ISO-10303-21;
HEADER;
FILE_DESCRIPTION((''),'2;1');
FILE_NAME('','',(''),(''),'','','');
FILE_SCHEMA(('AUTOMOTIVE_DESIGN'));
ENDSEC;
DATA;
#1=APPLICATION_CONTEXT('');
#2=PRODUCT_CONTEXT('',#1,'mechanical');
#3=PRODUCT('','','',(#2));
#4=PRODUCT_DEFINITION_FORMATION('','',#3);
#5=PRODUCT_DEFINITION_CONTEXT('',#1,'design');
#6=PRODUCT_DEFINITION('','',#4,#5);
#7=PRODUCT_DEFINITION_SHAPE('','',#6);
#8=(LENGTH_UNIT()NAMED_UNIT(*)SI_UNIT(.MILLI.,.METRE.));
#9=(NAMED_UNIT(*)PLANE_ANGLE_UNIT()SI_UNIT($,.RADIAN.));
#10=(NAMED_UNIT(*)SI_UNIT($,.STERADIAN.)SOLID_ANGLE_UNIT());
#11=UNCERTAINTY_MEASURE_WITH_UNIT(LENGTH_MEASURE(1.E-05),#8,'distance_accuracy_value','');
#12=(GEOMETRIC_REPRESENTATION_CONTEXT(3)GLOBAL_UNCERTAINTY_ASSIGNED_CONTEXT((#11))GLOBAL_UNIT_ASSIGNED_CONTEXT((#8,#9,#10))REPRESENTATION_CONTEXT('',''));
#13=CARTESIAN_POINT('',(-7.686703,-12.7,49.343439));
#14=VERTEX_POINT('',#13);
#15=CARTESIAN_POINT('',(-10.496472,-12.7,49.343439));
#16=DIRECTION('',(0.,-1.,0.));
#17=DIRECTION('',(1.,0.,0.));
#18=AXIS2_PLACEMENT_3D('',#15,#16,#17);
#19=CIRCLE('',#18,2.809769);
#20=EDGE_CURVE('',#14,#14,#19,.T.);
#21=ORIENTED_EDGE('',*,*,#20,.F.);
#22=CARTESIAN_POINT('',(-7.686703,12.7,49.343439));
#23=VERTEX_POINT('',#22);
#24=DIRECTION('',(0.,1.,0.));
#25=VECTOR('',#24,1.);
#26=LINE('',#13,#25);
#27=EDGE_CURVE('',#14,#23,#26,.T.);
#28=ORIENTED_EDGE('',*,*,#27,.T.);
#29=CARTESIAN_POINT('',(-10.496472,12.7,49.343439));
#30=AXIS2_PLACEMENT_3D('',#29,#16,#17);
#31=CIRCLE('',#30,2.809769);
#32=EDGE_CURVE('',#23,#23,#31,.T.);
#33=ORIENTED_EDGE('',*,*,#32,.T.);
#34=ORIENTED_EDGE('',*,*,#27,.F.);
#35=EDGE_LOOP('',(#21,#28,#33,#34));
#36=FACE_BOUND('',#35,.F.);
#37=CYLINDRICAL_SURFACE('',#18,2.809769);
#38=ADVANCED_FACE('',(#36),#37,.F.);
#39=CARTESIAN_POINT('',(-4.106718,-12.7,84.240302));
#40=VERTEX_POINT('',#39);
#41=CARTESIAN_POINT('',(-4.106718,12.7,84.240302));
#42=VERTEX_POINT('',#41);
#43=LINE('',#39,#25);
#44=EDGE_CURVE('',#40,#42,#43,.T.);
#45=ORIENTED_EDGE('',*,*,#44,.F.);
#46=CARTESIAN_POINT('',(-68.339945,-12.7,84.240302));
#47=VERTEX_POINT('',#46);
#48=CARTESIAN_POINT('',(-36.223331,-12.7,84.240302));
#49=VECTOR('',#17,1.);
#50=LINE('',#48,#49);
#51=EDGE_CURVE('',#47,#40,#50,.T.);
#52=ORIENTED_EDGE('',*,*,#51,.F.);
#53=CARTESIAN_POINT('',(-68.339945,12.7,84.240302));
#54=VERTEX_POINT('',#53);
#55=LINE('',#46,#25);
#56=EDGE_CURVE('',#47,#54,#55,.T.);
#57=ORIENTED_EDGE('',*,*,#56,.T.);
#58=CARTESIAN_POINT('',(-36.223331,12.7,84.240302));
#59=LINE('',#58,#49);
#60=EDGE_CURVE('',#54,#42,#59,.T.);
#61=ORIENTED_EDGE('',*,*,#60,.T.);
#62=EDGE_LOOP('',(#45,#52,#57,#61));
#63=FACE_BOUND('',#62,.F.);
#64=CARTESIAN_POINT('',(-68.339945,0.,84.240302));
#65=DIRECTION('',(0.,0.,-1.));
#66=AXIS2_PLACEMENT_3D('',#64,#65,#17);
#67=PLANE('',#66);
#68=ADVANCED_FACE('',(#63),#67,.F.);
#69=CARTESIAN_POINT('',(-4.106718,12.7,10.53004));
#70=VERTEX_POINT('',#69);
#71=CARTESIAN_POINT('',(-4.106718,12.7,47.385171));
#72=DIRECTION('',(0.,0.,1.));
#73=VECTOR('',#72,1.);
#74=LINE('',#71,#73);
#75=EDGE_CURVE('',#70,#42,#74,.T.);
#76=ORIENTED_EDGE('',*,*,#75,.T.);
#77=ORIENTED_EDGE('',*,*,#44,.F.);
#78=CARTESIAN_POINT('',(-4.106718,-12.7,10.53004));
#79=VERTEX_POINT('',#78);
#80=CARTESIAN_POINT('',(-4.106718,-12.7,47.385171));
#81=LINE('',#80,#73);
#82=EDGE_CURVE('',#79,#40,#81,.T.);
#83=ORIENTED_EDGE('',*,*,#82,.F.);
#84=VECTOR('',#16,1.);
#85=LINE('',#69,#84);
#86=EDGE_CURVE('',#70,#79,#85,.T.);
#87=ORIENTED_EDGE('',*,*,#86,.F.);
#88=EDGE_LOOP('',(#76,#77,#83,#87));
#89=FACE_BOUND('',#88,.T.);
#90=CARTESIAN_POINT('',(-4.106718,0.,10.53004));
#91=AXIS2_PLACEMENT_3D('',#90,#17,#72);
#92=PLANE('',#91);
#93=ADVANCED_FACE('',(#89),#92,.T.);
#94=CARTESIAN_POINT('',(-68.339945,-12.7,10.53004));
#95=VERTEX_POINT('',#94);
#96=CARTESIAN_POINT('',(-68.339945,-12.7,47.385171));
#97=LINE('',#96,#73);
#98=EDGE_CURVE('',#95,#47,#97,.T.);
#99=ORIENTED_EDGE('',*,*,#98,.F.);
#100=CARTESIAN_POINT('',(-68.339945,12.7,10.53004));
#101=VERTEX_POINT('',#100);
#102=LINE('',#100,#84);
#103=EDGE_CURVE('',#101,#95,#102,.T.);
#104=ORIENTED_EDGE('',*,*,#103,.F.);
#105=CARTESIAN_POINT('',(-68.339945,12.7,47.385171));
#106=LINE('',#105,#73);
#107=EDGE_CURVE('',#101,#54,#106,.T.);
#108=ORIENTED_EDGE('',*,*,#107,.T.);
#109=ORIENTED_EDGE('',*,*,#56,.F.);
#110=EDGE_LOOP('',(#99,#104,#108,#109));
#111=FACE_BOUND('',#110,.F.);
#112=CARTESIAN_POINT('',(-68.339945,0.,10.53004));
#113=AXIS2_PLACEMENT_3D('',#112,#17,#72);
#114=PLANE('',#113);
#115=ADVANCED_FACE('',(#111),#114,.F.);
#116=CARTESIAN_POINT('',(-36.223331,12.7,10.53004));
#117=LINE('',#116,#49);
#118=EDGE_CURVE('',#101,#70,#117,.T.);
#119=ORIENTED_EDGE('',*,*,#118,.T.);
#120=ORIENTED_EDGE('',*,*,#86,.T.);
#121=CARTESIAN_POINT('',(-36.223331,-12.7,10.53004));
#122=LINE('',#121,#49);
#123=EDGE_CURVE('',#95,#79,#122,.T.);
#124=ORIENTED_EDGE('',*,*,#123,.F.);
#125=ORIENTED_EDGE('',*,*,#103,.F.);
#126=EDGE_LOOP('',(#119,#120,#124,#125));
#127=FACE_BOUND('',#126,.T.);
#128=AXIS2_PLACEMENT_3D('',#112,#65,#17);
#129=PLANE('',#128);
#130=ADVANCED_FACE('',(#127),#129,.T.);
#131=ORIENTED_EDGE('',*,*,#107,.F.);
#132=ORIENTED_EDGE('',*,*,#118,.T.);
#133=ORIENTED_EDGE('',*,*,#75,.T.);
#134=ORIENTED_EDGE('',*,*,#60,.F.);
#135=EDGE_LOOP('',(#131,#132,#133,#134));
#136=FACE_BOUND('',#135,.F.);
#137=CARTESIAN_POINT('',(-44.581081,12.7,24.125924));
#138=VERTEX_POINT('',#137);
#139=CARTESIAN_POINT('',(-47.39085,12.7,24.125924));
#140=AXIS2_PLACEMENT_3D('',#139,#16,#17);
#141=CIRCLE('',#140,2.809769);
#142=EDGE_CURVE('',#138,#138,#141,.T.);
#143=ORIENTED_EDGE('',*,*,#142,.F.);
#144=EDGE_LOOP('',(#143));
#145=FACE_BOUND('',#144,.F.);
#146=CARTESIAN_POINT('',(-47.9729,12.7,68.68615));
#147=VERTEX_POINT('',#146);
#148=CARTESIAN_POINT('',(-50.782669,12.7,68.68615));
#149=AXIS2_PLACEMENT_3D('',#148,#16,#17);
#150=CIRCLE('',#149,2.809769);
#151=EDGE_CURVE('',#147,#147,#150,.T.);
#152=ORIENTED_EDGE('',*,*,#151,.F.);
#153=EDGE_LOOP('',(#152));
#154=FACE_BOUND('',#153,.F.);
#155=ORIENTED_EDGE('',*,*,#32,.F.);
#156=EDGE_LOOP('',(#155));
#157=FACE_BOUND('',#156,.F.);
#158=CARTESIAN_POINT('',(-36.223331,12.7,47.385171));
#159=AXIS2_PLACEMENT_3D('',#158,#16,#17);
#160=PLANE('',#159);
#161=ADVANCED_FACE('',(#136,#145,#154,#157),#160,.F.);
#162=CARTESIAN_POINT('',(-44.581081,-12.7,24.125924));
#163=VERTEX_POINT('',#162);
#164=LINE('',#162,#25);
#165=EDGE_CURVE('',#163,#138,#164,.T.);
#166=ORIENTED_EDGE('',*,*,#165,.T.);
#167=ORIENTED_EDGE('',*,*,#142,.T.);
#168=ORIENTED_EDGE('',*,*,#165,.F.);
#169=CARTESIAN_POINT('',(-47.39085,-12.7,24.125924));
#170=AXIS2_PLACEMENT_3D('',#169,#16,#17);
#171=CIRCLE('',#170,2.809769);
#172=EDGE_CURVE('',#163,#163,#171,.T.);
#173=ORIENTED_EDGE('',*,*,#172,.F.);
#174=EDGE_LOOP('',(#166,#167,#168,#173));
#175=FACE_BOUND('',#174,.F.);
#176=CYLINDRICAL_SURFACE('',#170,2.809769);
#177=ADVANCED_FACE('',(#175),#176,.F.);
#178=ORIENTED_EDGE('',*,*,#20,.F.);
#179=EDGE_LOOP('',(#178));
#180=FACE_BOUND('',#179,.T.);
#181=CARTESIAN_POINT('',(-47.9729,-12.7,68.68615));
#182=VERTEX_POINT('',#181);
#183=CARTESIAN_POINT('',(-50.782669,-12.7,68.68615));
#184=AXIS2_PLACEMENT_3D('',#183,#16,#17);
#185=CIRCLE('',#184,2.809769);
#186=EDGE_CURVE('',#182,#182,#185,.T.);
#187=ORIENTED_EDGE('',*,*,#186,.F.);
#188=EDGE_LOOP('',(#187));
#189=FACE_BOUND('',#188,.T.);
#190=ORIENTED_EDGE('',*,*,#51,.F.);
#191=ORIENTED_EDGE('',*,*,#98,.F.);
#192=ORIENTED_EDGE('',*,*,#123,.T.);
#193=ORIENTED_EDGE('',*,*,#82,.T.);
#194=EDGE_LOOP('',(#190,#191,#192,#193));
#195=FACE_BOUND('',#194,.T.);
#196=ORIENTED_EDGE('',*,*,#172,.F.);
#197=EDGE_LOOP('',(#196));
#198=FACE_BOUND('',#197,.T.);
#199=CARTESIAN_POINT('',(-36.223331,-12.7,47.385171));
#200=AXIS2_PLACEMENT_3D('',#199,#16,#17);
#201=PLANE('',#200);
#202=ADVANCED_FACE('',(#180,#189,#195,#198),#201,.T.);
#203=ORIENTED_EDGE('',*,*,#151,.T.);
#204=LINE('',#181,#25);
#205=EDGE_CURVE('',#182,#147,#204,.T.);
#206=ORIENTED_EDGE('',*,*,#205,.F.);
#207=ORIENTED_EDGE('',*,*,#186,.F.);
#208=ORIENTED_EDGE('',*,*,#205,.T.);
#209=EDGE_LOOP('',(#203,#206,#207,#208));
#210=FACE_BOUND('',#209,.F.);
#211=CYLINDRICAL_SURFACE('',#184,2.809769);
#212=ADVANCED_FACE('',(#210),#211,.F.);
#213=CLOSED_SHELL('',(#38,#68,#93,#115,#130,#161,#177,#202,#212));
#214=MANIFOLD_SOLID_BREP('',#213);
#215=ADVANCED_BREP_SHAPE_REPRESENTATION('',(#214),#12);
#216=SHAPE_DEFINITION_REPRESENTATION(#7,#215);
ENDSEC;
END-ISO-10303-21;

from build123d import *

# Parameters (mm, degrees)
F0_W     = 64.233227
F0_H     = 73.710262
F1_DEPTH = 12.7
F4_R     = 2.809769
F5_DEPTH = 25.401


with BuildPart() as f1:
    # F0 (on Front) → F1 (new body, symmetric)
    with BuildSketch(Plane.XZ):
        with Locations((-36.223331, 47.385171)):
            Rectangle(F0_W, F0_H)
    extrude(amount=F1_DEPTH, both=True)

    # F4 (on face) → F5 (cut, through all)
    with BuildSketch(Plane.XZ.offset(12.7)):
        with Locations((-50.782669, 68.68615)):
            Circle(F4_R)
        with Locations((-47.39085, 24.125924)):
            Circle(F4_R)
        with Locations((-10.496472, 49.343439)):
            Circle(F4_R)
    extrude(amount=-F5_DEPTH, mode=Mode.SUBTRACT)


solid = f1.part
